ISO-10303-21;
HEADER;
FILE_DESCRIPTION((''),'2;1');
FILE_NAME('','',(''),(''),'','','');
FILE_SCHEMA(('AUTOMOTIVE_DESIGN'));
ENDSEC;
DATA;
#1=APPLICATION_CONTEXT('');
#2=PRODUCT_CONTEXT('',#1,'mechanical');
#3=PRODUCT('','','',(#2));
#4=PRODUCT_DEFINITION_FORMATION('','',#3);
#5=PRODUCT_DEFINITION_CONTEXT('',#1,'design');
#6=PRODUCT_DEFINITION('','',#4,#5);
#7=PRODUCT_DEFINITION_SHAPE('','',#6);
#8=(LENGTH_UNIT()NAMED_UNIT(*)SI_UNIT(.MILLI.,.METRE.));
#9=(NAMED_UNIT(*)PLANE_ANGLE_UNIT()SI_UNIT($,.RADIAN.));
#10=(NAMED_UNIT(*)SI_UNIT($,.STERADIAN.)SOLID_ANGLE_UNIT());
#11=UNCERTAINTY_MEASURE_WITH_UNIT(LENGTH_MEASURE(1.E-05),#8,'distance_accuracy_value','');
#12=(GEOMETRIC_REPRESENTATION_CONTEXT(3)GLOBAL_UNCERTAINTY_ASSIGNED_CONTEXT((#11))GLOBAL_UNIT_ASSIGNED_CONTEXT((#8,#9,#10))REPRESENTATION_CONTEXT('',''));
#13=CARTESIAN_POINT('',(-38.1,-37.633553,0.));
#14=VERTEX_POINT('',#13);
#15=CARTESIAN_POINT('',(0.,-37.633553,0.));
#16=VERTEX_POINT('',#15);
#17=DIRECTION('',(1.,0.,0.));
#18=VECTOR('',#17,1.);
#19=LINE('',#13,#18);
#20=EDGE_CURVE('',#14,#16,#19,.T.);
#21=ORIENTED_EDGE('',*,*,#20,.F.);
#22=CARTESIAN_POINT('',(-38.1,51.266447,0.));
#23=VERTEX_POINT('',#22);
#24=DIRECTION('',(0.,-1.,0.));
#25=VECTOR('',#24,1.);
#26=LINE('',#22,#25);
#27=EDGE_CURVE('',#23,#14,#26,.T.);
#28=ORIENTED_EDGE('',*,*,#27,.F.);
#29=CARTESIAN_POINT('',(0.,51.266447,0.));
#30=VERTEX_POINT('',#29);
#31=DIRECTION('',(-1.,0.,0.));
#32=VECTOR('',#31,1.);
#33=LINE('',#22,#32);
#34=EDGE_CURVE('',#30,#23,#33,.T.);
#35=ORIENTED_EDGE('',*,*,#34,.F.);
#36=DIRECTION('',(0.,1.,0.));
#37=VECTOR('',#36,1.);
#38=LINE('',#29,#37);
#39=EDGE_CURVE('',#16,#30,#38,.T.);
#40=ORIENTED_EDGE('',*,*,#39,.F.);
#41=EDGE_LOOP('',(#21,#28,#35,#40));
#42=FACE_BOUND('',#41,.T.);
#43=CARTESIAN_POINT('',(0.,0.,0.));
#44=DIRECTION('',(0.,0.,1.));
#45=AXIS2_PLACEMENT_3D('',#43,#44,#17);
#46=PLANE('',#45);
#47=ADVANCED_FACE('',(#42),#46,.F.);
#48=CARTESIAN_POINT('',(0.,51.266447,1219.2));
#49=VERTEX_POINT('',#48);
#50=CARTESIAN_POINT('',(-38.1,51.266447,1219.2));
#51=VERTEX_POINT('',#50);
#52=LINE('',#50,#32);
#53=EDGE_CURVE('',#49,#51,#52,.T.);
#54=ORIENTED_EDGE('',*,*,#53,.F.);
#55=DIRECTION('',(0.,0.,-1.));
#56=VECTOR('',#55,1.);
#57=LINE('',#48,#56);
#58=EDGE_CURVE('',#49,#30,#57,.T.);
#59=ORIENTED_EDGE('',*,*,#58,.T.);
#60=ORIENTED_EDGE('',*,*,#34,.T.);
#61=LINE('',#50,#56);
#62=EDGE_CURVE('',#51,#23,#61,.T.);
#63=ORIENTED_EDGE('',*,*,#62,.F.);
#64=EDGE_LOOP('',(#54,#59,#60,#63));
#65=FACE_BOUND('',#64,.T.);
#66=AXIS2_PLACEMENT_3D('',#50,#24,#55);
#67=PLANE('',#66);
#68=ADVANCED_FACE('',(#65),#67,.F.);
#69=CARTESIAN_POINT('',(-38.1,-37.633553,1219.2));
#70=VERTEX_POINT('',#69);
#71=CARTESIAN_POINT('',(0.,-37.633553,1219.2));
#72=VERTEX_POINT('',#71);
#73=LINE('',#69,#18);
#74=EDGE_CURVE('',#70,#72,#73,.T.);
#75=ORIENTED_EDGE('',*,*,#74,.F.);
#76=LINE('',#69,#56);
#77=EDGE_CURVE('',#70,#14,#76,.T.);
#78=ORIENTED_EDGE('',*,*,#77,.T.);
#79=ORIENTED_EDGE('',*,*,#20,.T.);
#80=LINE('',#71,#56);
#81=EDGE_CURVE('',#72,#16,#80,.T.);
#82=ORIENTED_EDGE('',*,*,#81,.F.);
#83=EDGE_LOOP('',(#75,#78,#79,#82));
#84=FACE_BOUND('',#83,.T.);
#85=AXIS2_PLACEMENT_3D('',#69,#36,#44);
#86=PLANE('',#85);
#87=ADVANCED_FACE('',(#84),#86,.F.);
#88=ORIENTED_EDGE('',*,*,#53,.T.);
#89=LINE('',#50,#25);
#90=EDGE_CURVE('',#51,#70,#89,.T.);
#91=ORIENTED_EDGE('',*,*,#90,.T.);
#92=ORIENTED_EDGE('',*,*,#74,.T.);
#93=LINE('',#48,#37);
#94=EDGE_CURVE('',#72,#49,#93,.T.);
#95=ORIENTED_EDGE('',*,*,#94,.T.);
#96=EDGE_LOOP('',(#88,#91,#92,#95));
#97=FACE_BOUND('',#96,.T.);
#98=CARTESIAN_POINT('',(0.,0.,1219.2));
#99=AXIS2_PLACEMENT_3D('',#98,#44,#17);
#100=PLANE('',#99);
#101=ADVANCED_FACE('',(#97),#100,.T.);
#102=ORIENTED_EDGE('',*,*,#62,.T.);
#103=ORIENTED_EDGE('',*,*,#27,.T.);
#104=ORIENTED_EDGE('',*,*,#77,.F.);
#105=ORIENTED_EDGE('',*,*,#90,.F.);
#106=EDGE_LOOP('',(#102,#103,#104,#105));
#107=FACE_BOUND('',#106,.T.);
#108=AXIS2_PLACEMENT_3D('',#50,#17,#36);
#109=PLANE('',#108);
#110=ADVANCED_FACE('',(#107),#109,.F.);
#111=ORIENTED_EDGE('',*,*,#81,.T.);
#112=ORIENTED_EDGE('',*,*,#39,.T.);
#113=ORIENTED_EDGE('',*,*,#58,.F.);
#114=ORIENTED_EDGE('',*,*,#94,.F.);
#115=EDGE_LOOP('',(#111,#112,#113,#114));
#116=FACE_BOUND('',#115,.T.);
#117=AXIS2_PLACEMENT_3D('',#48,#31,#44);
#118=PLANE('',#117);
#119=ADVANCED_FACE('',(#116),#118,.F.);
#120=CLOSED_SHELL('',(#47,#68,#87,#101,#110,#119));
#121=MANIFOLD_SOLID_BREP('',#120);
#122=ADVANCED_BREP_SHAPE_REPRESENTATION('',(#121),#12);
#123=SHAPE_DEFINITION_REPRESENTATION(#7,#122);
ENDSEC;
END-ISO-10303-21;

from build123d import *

# Parameters (mm, degrees)
SKETCH1_W           = 38.1
SKETCH1_H           = 88.9
BOSS_EXTRUDE1_DEPTH = 1219.2


with BuildPart() as part:
    # Sketch1 → Boss-Extrude1 (new body)
    with BuildSketch(Plane.XY):
        with Locations((-19.05, 6.816446745)):
            Rectangle(SKETCH1_W, SKETCH1_H)
    extrude(amount=BOSS_EXTRUDE1_DEPTH)


solid = part.part
